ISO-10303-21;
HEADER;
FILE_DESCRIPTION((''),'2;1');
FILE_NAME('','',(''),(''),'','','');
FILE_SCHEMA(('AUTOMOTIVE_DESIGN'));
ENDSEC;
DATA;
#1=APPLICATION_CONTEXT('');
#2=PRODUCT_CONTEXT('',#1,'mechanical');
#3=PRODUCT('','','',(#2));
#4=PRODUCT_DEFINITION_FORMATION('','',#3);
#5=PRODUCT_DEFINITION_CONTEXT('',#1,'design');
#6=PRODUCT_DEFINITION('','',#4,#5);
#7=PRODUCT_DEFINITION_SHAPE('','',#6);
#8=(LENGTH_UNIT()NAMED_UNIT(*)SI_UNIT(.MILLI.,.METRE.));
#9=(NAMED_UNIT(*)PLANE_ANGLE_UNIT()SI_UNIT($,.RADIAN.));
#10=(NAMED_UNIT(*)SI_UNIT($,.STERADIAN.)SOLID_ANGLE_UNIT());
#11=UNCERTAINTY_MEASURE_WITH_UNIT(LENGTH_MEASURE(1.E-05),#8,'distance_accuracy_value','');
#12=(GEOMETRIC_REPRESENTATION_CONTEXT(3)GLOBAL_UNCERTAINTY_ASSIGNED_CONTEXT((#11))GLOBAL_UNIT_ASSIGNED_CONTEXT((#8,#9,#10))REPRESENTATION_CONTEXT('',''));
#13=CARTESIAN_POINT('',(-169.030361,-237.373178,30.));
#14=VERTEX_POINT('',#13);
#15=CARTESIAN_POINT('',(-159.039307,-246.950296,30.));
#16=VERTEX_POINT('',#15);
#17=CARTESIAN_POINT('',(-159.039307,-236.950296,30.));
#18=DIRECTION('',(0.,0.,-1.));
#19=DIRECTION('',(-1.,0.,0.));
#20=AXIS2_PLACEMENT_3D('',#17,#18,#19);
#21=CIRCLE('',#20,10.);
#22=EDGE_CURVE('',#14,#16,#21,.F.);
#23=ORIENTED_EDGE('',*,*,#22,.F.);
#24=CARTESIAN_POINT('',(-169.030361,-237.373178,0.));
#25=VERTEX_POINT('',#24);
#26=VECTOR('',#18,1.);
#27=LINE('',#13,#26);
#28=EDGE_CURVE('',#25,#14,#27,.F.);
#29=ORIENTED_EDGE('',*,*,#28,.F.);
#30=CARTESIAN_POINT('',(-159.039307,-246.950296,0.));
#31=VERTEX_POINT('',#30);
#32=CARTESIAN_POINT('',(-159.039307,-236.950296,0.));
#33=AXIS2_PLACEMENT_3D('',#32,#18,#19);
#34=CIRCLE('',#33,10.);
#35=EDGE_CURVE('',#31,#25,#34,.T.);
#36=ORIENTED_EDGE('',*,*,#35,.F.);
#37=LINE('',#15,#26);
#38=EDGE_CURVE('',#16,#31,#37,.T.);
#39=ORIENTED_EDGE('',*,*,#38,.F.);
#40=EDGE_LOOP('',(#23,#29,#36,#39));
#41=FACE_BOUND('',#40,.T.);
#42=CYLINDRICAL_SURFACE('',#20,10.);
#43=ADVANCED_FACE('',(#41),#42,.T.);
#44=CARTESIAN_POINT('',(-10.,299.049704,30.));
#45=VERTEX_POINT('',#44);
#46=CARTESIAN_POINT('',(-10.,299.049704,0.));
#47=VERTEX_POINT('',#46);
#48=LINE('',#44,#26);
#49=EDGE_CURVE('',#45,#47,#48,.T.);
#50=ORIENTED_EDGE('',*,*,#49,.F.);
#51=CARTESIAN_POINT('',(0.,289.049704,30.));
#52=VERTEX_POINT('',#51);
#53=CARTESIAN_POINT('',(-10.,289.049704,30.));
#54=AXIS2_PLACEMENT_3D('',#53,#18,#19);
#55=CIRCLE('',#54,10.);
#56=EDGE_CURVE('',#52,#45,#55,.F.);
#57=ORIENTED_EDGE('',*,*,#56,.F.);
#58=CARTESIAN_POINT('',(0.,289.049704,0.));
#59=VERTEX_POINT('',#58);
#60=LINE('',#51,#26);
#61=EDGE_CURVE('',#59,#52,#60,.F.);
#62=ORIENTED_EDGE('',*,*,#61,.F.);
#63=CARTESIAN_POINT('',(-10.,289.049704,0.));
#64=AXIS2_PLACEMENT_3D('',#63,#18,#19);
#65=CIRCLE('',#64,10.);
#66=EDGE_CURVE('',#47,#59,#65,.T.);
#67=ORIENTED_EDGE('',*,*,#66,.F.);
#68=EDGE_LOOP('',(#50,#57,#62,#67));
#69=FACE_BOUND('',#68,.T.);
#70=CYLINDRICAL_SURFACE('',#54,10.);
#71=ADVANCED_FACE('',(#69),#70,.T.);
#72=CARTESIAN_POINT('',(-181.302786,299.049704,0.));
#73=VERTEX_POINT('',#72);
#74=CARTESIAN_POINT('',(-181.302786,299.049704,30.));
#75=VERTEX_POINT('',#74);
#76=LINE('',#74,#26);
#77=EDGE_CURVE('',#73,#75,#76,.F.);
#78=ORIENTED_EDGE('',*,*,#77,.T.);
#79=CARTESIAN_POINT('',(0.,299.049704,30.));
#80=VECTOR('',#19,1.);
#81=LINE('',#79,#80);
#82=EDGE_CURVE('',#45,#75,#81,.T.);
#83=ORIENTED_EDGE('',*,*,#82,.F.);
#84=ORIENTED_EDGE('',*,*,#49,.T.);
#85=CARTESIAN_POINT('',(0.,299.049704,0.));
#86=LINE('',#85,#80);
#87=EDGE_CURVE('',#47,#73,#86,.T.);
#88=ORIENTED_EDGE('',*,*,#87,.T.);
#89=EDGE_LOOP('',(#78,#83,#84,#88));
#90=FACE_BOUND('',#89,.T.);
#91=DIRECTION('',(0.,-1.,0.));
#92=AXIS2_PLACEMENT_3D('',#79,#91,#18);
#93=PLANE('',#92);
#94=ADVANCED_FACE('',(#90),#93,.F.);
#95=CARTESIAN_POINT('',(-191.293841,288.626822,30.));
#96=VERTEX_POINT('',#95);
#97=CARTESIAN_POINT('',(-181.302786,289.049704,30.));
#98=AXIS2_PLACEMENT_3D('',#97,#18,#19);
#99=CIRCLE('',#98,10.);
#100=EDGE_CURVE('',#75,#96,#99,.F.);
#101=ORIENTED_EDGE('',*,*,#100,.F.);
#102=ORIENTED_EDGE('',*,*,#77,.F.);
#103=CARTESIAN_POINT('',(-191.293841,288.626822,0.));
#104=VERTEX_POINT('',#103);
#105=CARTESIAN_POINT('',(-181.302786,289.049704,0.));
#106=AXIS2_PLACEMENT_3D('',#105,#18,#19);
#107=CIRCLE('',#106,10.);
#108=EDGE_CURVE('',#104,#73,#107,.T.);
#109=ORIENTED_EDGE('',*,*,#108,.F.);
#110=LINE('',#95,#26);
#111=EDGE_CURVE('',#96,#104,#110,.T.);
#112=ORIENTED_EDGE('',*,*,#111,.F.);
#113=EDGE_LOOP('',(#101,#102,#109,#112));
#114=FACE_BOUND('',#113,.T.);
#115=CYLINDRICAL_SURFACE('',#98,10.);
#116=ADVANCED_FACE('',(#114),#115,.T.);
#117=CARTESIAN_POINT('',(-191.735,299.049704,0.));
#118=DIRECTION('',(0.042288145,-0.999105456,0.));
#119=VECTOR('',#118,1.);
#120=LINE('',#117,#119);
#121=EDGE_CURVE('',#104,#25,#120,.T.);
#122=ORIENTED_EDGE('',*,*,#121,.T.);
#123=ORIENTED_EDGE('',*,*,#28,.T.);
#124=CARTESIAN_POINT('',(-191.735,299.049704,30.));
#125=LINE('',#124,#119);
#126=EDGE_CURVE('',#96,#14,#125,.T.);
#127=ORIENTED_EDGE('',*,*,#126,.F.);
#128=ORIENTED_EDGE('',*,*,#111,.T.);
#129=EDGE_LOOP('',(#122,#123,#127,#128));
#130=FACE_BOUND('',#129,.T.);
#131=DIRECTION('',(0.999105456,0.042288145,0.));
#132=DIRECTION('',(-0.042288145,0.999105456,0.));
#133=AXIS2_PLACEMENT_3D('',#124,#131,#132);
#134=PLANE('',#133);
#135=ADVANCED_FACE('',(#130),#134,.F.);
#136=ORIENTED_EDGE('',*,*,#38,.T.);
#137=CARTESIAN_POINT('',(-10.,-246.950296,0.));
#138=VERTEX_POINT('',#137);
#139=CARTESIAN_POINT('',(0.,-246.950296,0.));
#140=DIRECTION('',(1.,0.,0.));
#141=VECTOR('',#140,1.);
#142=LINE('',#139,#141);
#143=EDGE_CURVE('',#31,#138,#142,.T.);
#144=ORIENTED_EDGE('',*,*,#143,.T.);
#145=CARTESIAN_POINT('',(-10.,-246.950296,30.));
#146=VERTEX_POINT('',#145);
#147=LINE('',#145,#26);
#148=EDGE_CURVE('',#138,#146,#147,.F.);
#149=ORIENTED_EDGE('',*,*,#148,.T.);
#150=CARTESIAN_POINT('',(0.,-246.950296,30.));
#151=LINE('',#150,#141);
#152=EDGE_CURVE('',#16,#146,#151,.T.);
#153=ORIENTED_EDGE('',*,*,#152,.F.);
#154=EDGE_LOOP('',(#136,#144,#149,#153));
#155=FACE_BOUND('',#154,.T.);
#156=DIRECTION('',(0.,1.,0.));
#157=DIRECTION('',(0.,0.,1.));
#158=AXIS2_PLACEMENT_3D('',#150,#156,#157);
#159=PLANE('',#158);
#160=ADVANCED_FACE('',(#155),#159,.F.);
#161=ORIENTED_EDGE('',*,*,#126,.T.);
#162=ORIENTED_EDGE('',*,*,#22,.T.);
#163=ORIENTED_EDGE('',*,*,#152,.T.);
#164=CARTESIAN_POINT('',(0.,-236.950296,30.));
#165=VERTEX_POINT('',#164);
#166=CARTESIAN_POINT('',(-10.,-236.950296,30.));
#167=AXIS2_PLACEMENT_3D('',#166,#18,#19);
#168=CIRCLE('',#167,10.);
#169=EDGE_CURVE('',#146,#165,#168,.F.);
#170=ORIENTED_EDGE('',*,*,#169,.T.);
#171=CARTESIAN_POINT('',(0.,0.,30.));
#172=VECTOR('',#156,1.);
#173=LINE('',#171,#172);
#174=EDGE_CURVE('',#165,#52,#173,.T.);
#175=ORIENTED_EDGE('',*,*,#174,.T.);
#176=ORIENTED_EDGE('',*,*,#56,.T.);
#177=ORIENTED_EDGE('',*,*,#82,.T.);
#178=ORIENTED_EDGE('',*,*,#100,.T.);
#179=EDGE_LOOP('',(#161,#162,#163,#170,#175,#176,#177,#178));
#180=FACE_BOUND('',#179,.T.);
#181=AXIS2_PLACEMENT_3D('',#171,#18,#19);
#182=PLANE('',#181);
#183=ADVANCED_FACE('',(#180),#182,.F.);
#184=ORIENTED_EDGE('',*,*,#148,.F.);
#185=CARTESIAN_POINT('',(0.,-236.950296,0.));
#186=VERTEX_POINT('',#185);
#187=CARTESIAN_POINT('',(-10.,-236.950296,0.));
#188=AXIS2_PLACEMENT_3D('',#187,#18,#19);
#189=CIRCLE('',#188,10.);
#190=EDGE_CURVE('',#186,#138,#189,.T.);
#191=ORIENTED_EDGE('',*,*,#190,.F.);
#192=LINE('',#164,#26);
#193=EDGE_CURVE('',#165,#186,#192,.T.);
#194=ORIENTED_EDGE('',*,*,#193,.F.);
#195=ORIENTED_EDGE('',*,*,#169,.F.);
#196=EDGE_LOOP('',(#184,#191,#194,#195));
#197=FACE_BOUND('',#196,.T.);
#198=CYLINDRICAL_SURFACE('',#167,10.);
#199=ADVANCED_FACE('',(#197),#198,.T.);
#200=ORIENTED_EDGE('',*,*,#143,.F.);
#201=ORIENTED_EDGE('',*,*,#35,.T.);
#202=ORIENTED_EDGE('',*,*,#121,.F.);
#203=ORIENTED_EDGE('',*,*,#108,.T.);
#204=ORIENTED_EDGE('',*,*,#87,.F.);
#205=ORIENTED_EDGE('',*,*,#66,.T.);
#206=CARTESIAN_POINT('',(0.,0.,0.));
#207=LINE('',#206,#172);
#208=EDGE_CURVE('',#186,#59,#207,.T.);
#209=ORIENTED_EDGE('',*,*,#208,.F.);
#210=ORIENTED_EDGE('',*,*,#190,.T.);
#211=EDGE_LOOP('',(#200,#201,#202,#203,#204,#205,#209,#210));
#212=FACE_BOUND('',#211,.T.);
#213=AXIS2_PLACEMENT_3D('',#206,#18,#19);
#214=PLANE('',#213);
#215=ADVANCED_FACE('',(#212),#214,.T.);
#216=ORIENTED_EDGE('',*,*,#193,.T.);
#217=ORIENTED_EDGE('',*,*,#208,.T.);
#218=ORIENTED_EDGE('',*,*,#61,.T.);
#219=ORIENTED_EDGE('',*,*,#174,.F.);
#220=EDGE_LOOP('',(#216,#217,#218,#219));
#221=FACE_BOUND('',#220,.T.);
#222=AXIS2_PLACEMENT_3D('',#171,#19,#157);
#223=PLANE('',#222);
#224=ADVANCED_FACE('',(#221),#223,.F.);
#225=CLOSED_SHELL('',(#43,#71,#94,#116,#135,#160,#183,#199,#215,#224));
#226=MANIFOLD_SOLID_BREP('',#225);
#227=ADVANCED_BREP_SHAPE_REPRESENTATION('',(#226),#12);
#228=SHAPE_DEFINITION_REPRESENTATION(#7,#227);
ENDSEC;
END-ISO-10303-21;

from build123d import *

# Parameters (mm, degrees)
BOSS_EXTRUDE1_DEPTH = 30
FILLET1_R           = 10
FILLET2_R           = 10


with BuildPart() as part:
    # Sketch1 → Boss-Extrude1 (new body)
    with BuildSketch(Plane.XY):
        Polygon((0, 0), (0, 299.049703647), (-191.735, 299.049703647), (-168.625, -246.950296353), (0, -246.950296353), align=None)
    extrude(amount=BOSS_EXTRUDE1_DEPTH)

    # Fillet1
    fillet1_edges = [part.edges().sort_by_distance(p)[0] for p in [
        (-191.735, 299.049703647, 15),
        (0, 299.049703647, 15),
    ]]
    fillet(fillet1_edges, radius=FILLET1_R)

    # Fillet2
    fillet2_edges = [part.edges().sort_by_distance(p)[0] for p in [
        (0, -246.950296353, 15),
        (-168.625, -246.950296353, 15),
    ]]
    fillet(fillet2_edges, radius=FILLET2_R)


solid = part.part
